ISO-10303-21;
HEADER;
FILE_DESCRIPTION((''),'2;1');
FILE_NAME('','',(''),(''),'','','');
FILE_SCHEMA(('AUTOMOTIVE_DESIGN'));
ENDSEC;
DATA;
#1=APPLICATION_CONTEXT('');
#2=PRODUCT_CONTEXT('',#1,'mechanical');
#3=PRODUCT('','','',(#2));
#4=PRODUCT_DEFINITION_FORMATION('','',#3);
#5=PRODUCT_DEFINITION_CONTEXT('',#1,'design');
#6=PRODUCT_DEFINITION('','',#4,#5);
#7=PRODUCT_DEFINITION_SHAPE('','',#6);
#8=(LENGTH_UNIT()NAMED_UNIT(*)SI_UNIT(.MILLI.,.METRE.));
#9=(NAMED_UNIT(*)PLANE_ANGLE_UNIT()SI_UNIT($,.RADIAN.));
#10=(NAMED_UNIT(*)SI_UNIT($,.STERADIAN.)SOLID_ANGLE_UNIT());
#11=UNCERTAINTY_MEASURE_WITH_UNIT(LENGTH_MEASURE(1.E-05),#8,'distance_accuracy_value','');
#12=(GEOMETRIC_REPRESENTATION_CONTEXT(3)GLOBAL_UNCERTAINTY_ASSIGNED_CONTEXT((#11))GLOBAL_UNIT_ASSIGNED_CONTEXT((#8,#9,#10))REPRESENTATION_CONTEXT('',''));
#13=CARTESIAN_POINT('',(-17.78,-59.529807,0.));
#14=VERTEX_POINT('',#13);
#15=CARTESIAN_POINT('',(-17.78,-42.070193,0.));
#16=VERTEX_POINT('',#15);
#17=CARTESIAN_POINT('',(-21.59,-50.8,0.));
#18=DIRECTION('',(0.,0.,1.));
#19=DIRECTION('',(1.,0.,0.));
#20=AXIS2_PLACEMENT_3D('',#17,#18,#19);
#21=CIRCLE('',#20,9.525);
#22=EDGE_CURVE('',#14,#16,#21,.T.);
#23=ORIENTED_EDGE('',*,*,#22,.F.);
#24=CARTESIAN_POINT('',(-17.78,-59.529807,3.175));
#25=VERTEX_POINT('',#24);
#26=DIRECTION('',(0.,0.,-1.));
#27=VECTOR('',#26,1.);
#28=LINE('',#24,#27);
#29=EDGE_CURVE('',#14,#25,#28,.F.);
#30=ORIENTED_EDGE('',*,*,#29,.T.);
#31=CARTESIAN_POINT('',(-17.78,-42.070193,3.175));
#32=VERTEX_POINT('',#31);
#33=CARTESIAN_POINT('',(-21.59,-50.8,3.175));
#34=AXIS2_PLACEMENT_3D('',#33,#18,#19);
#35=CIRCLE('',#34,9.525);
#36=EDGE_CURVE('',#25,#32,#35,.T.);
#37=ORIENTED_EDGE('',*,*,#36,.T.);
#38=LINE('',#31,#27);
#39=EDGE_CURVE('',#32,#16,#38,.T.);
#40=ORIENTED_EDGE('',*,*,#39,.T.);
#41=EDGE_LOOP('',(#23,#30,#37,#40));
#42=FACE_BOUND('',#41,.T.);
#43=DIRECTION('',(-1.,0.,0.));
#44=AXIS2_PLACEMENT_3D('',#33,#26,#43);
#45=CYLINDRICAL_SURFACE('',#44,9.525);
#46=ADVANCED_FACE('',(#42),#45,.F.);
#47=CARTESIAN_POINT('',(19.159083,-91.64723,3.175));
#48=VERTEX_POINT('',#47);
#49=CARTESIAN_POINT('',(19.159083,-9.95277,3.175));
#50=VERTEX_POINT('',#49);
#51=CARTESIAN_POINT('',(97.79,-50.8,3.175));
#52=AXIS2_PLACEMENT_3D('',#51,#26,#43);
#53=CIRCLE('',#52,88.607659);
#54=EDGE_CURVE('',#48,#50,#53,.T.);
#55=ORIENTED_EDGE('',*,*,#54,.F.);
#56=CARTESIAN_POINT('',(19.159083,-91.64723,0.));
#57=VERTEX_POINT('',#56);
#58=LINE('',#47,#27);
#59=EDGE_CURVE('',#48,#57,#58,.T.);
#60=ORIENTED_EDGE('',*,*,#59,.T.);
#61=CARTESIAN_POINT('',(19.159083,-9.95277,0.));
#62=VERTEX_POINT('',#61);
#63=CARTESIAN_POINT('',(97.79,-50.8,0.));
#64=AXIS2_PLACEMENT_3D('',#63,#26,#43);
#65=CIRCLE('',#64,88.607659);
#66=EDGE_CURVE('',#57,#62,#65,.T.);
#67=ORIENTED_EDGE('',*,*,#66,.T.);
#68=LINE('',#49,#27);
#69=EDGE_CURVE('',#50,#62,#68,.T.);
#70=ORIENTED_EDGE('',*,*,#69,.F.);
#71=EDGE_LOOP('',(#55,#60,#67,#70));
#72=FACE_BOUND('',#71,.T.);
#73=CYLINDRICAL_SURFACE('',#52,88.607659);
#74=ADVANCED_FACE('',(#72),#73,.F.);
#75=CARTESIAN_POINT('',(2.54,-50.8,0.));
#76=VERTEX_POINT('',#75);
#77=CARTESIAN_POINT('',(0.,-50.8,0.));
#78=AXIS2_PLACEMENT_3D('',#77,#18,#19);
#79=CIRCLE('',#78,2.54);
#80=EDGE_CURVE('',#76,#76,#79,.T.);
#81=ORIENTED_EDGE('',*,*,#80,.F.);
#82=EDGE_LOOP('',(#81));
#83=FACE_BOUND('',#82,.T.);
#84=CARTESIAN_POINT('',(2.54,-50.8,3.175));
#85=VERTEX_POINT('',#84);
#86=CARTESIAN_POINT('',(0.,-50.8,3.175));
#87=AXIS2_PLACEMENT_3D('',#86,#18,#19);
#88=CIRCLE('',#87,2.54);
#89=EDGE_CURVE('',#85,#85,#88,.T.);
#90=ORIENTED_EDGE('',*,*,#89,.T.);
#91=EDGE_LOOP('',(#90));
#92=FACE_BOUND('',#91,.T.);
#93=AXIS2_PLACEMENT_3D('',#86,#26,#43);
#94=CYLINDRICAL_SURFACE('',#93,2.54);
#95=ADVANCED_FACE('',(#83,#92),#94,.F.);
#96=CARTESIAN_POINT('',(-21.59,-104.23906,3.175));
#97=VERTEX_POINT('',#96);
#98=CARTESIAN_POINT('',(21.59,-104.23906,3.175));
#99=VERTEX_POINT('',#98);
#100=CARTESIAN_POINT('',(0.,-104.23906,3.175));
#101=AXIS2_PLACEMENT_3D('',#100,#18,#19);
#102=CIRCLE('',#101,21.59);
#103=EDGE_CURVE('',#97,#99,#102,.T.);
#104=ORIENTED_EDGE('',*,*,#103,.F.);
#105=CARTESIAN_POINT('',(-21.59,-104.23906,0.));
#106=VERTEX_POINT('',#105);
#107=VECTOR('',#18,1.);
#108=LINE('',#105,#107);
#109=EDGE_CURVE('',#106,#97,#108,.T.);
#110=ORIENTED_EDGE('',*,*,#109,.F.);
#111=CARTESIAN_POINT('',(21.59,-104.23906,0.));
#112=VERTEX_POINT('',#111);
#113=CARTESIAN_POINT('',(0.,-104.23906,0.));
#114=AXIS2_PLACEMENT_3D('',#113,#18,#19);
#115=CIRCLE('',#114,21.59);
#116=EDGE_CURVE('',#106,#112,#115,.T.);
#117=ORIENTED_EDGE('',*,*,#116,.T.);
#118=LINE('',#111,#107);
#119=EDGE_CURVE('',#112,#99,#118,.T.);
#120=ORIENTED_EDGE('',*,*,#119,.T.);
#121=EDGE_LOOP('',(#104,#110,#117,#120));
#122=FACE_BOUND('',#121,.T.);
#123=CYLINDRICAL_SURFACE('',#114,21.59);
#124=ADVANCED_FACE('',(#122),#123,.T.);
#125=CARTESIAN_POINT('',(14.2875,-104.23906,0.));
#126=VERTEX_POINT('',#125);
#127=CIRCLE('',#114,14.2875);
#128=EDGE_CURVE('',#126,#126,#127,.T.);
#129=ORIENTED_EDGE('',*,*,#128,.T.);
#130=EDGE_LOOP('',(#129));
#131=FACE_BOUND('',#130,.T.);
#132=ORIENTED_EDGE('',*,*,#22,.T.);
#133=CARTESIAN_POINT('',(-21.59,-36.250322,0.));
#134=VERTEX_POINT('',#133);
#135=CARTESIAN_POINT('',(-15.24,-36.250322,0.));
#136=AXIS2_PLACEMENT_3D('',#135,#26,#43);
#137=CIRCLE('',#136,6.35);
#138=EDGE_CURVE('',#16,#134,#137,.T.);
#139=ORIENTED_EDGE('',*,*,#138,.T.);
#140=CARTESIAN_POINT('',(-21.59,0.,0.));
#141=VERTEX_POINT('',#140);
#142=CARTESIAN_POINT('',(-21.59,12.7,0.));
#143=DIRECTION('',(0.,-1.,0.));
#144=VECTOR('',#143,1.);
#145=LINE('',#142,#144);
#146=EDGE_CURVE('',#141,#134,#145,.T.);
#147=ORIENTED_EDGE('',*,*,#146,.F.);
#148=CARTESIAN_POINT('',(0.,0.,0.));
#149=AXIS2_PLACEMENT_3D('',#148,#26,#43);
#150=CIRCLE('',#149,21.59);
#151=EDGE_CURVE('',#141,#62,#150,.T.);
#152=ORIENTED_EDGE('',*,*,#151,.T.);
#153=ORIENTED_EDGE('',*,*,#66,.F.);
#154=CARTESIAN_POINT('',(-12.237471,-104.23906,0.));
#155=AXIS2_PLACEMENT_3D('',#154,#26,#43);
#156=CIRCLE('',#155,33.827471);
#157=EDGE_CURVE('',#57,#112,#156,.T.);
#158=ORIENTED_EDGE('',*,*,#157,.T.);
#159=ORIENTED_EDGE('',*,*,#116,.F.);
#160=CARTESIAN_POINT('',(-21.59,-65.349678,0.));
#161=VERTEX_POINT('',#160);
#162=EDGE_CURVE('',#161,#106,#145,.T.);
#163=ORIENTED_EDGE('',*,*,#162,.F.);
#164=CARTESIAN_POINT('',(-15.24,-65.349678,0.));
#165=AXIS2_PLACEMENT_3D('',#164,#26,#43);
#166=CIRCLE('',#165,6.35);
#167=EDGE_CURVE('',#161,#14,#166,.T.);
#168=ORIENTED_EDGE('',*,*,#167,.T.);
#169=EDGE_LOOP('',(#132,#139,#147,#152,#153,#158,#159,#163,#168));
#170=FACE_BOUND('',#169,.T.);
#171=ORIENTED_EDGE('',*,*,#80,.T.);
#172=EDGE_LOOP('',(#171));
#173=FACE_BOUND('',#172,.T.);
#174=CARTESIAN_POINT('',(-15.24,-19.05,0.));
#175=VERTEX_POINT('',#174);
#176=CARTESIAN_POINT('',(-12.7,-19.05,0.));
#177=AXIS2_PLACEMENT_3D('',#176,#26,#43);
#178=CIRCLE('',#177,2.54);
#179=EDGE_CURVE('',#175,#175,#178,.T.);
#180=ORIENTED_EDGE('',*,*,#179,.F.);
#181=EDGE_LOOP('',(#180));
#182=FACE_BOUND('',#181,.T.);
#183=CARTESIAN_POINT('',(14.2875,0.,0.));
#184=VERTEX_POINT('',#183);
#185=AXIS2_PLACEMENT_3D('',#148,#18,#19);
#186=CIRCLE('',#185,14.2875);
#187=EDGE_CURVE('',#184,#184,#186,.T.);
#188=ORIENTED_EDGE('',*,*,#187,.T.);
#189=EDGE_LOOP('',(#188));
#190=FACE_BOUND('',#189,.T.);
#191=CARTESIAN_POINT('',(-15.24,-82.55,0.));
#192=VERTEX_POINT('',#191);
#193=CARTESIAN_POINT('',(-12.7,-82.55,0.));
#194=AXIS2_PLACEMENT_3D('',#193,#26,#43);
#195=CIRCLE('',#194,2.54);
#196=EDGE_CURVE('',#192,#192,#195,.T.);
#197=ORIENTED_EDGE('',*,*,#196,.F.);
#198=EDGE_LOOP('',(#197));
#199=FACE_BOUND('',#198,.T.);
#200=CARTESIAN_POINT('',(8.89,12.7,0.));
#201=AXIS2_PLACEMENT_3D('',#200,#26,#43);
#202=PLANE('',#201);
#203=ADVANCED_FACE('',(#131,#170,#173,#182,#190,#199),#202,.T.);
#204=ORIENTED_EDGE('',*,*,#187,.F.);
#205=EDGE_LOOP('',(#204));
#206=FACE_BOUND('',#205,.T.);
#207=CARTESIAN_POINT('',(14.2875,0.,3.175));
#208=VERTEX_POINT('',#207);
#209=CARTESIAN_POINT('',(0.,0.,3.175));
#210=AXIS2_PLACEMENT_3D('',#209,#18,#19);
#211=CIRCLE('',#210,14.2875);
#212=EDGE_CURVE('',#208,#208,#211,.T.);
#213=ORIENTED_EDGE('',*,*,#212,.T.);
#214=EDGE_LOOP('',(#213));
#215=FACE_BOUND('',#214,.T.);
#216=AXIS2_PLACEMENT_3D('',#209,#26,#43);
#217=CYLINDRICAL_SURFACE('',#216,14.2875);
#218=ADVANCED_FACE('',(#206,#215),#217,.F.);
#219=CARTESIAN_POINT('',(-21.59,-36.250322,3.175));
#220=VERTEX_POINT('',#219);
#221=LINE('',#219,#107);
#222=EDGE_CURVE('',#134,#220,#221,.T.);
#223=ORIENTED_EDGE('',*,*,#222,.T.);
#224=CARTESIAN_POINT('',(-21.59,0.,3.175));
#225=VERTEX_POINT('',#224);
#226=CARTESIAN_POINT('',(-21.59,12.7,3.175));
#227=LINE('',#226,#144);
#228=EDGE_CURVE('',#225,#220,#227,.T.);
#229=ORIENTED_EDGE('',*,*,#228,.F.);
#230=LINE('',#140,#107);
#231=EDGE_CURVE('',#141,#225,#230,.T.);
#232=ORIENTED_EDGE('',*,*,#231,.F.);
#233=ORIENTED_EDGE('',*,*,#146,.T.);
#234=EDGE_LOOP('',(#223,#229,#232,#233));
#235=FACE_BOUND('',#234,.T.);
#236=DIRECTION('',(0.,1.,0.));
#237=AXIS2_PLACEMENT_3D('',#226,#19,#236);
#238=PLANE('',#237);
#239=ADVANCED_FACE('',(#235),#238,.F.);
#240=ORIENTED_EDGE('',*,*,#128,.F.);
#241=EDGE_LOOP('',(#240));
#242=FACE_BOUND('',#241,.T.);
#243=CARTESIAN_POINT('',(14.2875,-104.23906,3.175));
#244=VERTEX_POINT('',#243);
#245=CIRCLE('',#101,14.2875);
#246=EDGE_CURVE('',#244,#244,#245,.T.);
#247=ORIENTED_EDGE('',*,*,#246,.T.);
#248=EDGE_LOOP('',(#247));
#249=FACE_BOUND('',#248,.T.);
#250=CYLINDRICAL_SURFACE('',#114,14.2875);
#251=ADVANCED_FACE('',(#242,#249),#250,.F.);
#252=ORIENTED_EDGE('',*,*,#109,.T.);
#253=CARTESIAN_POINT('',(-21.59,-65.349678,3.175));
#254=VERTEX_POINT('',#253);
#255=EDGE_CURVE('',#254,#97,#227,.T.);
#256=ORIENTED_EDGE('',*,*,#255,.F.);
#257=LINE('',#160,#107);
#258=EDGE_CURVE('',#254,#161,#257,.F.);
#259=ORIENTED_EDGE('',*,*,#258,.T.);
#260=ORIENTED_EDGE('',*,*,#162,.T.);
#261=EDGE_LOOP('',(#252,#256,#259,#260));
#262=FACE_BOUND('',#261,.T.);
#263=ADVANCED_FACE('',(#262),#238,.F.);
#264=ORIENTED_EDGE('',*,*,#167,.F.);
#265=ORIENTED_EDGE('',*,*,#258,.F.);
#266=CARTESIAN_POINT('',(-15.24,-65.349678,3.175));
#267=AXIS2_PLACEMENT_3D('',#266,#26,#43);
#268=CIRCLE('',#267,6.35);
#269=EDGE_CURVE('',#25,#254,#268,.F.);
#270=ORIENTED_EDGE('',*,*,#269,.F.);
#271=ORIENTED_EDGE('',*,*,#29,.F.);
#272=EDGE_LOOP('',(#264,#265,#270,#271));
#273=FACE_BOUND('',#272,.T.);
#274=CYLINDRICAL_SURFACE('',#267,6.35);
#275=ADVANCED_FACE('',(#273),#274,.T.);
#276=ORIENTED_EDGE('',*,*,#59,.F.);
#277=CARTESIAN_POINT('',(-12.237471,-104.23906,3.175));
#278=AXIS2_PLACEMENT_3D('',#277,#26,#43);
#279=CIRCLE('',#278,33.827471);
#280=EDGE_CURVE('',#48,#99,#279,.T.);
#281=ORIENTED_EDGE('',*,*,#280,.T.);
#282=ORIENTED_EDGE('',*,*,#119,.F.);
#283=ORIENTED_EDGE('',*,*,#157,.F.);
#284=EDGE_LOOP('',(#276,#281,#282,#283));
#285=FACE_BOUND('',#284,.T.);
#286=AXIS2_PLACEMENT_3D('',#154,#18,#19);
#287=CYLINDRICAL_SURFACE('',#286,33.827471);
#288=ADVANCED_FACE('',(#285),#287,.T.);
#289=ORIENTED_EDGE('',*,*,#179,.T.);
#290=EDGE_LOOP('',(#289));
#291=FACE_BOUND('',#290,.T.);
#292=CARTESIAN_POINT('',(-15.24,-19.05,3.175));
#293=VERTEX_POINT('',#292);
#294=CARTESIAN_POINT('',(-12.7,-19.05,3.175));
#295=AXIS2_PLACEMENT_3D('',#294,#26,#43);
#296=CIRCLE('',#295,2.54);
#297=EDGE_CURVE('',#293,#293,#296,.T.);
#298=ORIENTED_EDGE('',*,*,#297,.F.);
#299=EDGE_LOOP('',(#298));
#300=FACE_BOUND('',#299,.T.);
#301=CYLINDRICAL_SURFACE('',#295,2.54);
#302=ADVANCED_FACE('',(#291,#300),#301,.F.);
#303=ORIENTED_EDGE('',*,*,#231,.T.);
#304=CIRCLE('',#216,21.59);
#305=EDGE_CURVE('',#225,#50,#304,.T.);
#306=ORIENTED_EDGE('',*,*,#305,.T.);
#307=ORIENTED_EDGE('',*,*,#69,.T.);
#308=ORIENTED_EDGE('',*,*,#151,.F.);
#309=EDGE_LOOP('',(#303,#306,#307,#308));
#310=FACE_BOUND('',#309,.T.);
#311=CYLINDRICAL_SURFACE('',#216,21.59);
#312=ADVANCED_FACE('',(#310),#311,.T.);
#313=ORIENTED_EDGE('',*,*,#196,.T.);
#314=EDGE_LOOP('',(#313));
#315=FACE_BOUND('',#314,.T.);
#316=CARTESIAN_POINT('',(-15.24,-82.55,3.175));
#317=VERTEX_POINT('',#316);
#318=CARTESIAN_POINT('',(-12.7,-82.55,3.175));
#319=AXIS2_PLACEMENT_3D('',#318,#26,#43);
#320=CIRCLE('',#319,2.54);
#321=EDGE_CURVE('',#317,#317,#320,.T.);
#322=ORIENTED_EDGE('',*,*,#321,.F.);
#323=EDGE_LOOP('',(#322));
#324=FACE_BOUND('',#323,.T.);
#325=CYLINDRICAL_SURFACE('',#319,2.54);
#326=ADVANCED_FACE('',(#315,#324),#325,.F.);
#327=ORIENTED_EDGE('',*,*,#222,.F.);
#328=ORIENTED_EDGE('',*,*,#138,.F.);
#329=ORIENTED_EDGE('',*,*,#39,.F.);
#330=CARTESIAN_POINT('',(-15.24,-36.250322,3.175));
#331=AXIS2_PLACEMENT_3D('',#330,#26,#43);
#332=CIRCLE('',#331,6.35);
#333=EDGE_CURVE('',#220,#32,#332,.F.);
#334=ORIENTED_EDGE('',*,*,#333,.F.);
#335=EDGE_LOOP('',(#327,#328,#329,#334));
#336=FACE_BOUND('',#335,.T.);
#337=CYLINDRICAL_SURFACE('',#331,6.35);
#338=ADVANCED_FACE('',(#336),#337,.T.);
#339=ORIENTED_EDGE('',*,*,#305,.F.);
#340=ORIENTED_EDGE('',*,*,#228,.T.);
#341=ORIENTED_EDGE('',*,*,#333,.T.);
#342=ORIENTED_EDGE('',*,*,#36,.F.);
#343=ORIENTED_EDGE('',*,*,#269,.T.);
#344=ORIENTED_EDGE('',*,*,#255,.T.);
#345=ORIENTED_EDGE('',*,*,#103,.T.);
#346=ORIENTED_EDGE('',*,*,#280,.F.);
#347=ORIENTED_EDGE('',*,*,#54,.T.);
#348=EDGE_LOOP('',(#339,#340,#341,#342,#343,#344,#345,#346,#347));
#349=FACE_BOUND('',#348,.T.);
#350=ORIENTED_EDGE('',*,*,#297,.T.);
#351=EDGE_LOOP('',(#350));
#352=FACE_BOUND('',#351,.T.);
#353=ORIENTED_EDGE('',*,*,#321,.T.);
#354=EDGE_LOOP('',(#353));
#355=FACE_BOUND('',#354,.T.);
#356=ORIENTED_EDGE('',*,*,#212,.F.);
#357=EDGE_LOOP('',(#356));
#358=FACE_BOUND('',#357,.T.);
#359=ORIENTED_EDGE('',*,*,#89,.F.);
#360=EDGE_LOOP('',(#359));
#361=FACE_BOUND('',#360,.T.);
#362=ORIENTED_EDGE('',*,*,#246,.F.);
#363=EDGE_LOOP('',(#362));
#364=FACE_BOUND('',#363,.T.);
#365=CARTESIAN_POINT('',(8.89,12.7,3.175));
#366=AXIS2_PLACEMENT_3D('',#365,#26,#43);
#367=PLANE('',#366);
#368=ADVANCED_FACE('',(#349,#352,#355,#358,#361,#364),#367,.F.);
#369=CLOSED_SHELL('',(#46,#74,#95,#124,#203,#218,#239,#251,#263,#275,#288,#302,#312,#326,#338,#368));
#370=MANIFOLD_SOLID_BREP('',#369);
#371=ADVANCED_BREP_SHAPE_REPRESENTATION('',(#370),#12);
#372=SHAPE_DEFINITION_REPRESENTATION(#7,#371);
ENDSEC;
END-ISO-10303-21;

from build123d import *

# Parameters (mm, degrees)
SKETCH1_R           = 14.2875
SKETCH1_R_2         = 2.54
BOSS_EXTRUDE1_DEPTH = 3.175
CUT_EXTRUDE1_DEPTH  = 162.674043733
FILLET3_R           = 6.35
SKETCH3_R           = 2.54
BOSS_EXTRUDE3_DEPTH = 3.175
SKETCH6_R           = 2.54
BOSS_EXTRUDE4_DEPTH = 3.175
FILLET2_R           = 6.35
CUT_EXTRUDE2_DEPTH  = 169.237022961
CUT_EXTRUDE3_DEPTH  = 169.237022961
CUT_EXTRUDE4_DEPTH  = 168.265702461
BOSS_EXTRUDE7_DEPTH = 3.175
SKETCH14_R          = 14.2875
BOSS_EXTRUDE8_DEPTH = 3.175
SKETCH15_R          = 14.2875
CUT_EXTRUDE5_DEPTH  = 128.70732581
CUT_EXTRUDE6_DEPTH  = 128.70732581
SKETCH17_R          = 2.54
CUT_EXTRUDE7_DEPTH  = 128.70732581


with BuildPart() as part:
    # Sketch1 → Boss-Extrude1 (new body)
    with BuildSketch(Plane.XY):
        with BuildLine():
            Line((-8.89, 25.4), (8.89, 25.4))
            ThreePointArc((8.89, 25.4), (17.870256121, 21.680256121), (21.59, 12.7))
            Line((21.59, 12.7), (21.59, -117.775079775))
            ThreePointArc((21.59, -117.775079775), (21.127743647, -120.388718212), (19.797058824, -122.685251408))
            Line((19.797058824, -122.685251408), (-7.952696208, -155.616779465))
            ThreePointArc((-7.952696208, -155.616779465), (-12.268297602, -157.851943494), (-16.900388255, -156.380852124))
            Line((-16.900388255, -156.380852124), (-32.439211784, -143.287061102))
            ThreePointArc((-32.439211784, -143.287061102), (-34.674375812, -138.971459708), (-33.203284443, -134.339369055))
            Line((-33.203284443, -134.339369055), (-23.382941176, -122.685251408))
            ThreePointArc((-23.382941176, -122.685251408), (-22.052256353, -120.388718212), (-21.59, -117.775079775))
            Line((-21.59, -117.775079775), (-21.59, 12.7))
            ThreePointArc((-21.59, 12.7), (-17.870256121, 21.680256121), (-8.89, 25.4))
        make_face()
        Circle(SKETCH1_R, mode=Mode.SUBTRACT)
        with Locations((0, -101.6)):
            Circle(SKETCH1_R, mode=Mode.SUBTRACT)
        with Locations((-18.532085478, -142.550133084)):
            Circle(SKETCH1_R_2, mode=Mode.SUBTRACT)
        with Locations((0, -50.8)):
            Circle(SKETCH1_R_2, mode=Mode.SUBTRACT)
    extrude(amount=BOSS_EXTRUDE1_DEPTH)

    # Sketch2 → Cut-Extrude1 (cut, through all)
    with BuildSketch(Plane.XY):
        with BuildLine():
            ThreePointArc((19.159083004, -91.647229609), (9.182340769, -50.8), (19.159083004, -9.952770391))
            ThreePointArc((19.159083004, -9.952770391), (20.973467787, -5.122670102), (21.59, 0))
            Line((21.59, 0), (27.94, 0))
            Line((27.94, 0), (27.94, -121.656687185))
            Line((27.94, -121.656687185), (-7.620284479, -163.8572221))
            Line((-7.620284479, -163.8572221), (-17.501317584, -155.874478972))
            Line((-17.501317584, -155.874478972), (16.51, -115.512152961))
            ThreePointArc((16.51, -115.512152961), (20.280273667, -109.005308906), (21.59, -101.6))
            ThreePointArc((21.59, -101.6), (20.973467787, -96.477329898), (19.159083004, -91.647229609))
        make_face()
        with BuildLine():
            Line((-21.59, -41.275), (-21.59, -60.325))
            ThreePointArc((-21.59, -60.325), (-12.065, -50.8), (-21.59, -41.275))
        make_face()
    extrude(amount=CUT_EXTRUDE1_DEPTH, mode=Mode.SUBTRACT)


with BuildPart() as cut_extrude1_piece_1:
    # of the separate pieces the step leaves, piece 1, a body of its own (cut_extrude1_pieces)
    add(part.part.solids().sort_by_distance((-8.89, 25.4, 0))[0])

    # Fillet3
    fillet3_edges = [cut_extrude1_piece_1.edges().sort_by_distance(p)[0] for p in [
        (-21.59, -41.275, 1.5875),
        (-21.59, -60.325, 1.5875),
    ]]
    fillet(fillet3_edges, radius=FILLET3_R)

    # Sketch3 → Boss-Extrude3 (add)
    with BuildSketch(Plane.XY.offset(3.175)):
        with BuildLine():
            Line((-27.351416194, -127.394768527), (-36.025496499, -137.688579))
            ThreePointArc((-36.025496499, -137.688579), (-37.217489152, -141.441859142), (-35.4063854, -144.93869507))
            Line((-35.4063854, -144.93869507), (-24.403104784, -154.210610454))
            ThreePointArc((-24.403104784, -154.210610454), (-19.771014132, -155.681701823), (-15.455412737, -153.446537795))
            Line((-15.455412737, -153.446537795), (-7.557639641, -144.073996091))
            Line((-7.557639641, -144.073996091), (-27.351416194, -127.394768527))
        make_face()
        with Locations((-18.532085478, -142.550133084)):
            Circle(SKETCH3_R, mode=Mode.SUBTRACT)
    extrude(amount=-BOSS_EXTRUDE3_DEPTH)

    # Sketch6 → Boss-Extrude4 (add)
    with BuildSketch(Plane.XY.offset(3.175)):
        Polygon((-35.4063854, -144.93869507), (-63.620410749, -121.164144113), (-51.344981666, -106.596497054), (-27.065569901, -127.055545526), align=None)
        with Locations((-52.626813855, -117.972130278)):
            Circle(SKETCH6_R, mode=Mode.SUBTRACT)
    extrude(amount=-BOSS_EXTRUDE4_DEPTH)

    # Fillet2
    fillet2_edges = [cut_extrude1_piece_1.edges().sort_by_distance(p)[0] for p in [
        (-63.620410749, -121.164144113, 1.5875),
        (-51.344981666, -106.596497054, 1.5875),
        (-27.065569901, -127.055545526, 1.5875),
    ]]
    fillet(fillet2_edges, radius=FILLET2_R)

    # Sketch7 → Cut-Extrude2 (cut, through all)
    with BuildSketch(Plane.XY.offset(3.175)):
        with BuildLine():
            Line((-21.59, 0), (-21.59, 31.75))
            Line((-21.59, 31.75), (21.59, 31.75))
            Line((21.59, 31.75), (21.59, 0))
            ThreePointArc((21.59, 0), (0, 21.59), (-21.59, 0))
        make_face()
    extrude(amount=-CUT_EXTRUDE2_DEPTH, mode=Mode.SUBTRACT)


with BuildPart() as cut_extrude1_piece_2:
    # of the separate pieces the step leaves, piece 2, a body of its own (cut_extrude1_pieces)
    add(part.part.solids().sort_by_distance((-16.900388255, -156.380852124, 0))[0])


with BuildPart() as cut_extrude3_tool:
    # Sketch10 → Cut-Extrude3 (new, through all)
    with BuildSketch(Plane.XY.offset(3.175)):
        with BuildLine():
            Line((-18.151882461, -155.32628042), (-17.361482582, -157.512020269))
            Line((-17.361482582, -157.512020269), (-14.375706423, -156.432313955))
            Line((-14.375706423, -156.432313955), (-15.455412737, -153.446537795))
            ThreePointArc((-15.455412737, -153.446537795), (-16.679911193, -154.563907595), (-18.151882461, -155.32628042))
        make_face()
    extrude(amount=-CUT_EXTRUDE3_DEPTH)


with BuildPart() as cut_extrude1_piece_1_1:
    add(cut_extrude1_piece_1.part)

    # Cut-Extrude3: cut by cut_extrude3_tool
    add(cut_extrude3_tool.part, mode=Mode.SUBTRACT)

    # Sketch12 → Cut-Extrude4 (cut, through all)
    with BuildSketch(Plane.XY.offset(3.175)):
        with BuildLine():
            Line((-21.59, -101.6), (-72.39, -101.6))
            Line((-72.39, -101.6), (-72.39, -165.1))
            Line((-72.39, -165.1), (16.51, -165.1))
            Line((16.51, -165.1), (16.51, -115.512152961))
            ThreePointArc((16.51, -115.512152961), (-7.405308906, -121.880273667), (-21.59, -101.6))
        make_face()
    extrude(amount=-CUT_EXTRUDE4_DEPTH, mode=Mode.SUBTRACT)

    # Sketch13 → Boss-Extrude7 (add, through all)
    with BuildSketch(Plane.XY.offset(3.175)):
        with BuildLine():
            Line((-21.59, -101.6), (-21.59, -104.23906))
            ThreePointArc((-21.59, -104.23906), (0, -125.82906), (21.59, -104.23906))
            Line((21.59, -104.23906), (21.59, -101.6))
            Line((21.59, -101.6), (6.662926134, -118.366401535))
            Line((6.662926134, -118.366401535), (-7.350026675, -118.366401535))
            Line((-7.350026675, -118.366401535), (-21.59, -101.6))
        make_face()
    extrude(amount=-BOSS_EXTRUDE7_DEPTH)

    # Sketch14 → Boss-Extrude8 (add, through all)
    with BuildSketch(Plane.XY.offset(3.175)):
        with Locations((0, -101.6)):
            Circle(SKETCH14_R)
    extrude(amount=-BOSS_EXTRUDE8_DEPTH)

    # Sketch15 → Cut-Extrude5 (cut, through all)
    with BuildSketch(Plane.XY.offset(3.175)):
        with Locations((0, -104.23906)):
            Circle(SKETCH15_R)
    extrude(amount=-CUT_EXTRUDE5_DEPTH, mode=Mode.SUBTRACT)

    # Sketch16 → Cut-Extrude6 (cut, through all)
    with BuildSketch(Plane.XY.offset(3.175)):
        with BuildLine():
            Line((19.159083004, -91.647229609), (21.59, -91.647229609))
            Line((21.59, -91.647229609), (21.59, -104.23906))
            ThreePointArc((21.59, -104.23906), (20.97671132, -97.826892854), (19.159083004, -91.647229609))
        make_face()
    extrude(amount=-CUT_EXTRUDE6_DEPTH, mode=Mode.SUBTRACT)

    # Sketch17 → Cut-Extrude7 (cut, through all)
    with BuildSketch(Plane(origin=(0, 0, 0), x_dir=(-1, 0, 0), z_dir=(0, 0, -1))):
        with Locations((12.7, -19.05)):
            Circle(SKETCH17_R)
        with Locations((12.7, -82.55)):
            Circle(SKETCH17_R)
        with Locations(Location((0, -50.8, 0), (0, 0, 180))):
            Circle(SKETCH17_R)
    extrude(amount=-CUT_EXTRUDE7_DEPTH, mode=Mode.SUBTRACT)


with BuildPart() as cut_extrude1_piece_2_1:
    add(cut_extrude1_piece_2.part)

    # Cut-Extrude3: cut by cut_extrude3_tool
    add(cut_extrude3_tool.part, mode=Mode.SUBTRACT)


solid = cut_extrude1_piece_1_1.part
